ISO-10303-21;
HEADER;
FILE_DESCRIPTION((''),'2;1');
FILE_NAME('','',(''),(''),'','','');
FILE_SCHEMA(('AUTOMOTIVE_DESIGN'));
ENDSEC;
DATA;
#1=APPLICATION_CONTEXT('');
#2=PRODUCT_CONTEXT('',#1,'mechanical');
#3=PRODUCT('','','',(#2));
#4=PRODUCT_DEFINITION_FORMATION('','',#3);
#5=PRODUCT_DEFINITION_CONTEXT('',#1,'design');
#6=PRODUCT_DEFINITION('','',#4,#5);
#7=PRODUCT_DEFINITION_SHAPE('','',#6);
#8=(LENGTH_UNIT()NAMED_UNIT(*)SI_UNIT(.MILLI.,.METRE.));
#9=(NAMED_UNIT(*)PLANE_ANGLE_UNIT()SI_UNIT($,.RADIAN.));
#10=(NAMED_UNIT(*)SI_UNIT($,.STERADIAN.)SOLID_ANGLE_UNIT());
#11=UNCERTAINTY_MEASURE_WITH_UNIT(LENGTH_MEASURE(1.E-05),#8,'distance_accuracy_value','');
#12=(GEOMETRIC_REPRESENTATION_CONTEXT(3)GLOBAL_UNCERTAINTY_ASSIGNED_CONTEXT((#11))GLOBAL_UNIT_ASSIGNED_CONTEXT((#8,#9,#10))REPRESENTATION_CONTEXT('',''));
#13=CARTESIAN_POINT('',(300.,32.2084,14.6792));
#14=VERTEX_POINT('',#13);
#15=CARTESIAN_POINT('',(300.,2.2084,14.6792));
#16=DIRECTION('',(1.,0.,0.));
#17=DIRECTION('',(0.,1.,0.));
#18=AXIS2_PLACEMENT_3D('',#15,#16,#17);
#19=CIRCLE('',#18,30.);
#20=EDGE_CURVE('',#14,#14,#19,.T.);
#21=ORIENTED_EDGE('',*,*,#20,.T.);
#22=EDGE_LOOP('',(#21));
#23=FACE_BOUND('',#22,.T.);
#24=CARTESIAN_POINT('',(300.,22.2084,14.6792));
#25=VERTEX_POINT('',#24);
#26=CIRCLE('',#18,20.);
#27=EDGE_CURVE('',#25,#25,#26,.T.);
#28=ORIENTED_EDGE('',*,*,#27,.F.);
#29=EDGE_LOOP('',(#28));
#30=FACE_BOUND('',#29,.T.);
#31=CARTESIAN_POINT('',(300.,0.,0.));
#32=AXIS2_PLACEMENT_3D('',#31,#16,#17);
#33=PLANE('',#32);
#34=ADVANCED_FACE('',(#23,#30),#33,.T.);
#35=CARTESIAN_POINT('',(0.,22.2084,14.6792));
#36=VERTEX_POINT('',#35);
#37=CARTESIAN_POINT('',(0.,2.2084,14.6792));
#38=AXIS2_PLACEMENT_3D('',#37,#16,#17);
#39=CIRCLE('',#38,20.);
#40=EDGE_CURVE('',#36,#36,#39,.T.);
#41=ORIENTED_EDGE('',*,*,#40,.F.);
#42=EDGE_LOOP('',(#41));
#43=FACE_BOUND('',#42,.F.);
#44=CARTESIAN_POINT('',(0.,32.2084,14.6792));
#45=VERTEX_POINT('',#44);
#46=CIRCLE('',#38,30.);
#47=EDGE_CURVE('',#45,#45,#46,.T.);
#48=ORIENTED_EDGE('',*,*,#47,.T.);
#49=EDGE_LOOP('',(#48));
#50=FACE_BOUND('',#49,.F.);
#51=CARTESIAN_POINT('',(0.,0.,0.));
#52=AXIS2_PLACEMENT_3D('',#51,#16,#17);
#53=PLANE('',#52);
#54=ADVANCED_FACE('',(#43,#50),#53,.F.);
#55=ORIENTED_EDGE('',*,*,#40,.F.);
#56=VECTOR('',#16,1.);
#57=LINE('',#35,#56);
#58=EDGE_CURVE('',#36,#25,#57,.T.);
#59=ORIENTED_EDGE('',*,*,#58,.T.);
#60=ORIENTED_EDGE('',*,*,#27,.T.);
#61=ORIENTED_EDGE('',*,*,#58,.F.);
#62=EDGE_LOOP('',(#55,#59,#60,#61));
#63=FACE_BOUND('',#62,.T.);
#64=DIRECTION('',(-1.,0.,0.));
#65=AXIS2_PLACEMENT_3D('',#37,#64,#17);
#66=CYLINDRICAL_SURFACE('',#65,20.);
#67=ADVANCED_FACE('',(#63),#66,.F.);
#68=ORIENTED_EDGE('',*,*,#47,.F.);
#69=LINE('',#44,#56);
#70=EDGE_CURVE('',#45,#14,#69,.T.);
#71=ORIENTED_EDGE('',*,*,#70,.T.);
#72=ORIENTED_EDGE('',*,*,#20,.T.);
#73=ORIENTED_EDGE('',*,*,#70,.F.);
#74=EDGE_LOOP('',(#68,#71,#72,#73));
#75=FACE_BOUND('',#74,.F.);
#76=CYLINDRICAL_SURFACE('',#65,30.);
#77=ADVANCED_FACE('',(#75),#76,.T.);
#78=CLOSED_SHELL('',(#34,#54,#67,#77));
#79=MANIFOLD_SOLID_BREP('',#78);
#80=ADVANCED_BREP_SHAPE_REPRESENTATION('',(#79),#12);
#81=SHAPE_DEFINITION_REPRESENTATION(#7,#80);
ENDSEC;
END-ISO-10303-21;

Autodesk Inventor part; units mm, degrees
ref_plane "YZ Plane" through (0, 0, 0) normal (1, 0, 0) x (0, 1, 0)
ref_plane "XZ Plane" through (0, 0, 0) normal (0, 1, 0) x (-1, 0, 0)
ref_plane "XY Plane" through (0, 0, 0) normal (0, 0, 1) x (1, 0, 0)
sketch "Sketch1" plane through (0, 0, 0) normal (1, 0, 0) x (0, 1, 0)
  circle A0 centre (2.2084, 14.6792) radius 30
  circle A1 centre (2.2084, 14.6792) radius 20
  point P0 (0, 0)
  dimension "d0" = 60
  dimension "d1" = 40
extrude "Extrusion3" add sketch "Sketch1" along normal blind 300 contours A0 | A1
extrude "Extrusion4" cut sketch "Sketch1" along normal blind 300 contours A1
properties part number "body tube n-2"
